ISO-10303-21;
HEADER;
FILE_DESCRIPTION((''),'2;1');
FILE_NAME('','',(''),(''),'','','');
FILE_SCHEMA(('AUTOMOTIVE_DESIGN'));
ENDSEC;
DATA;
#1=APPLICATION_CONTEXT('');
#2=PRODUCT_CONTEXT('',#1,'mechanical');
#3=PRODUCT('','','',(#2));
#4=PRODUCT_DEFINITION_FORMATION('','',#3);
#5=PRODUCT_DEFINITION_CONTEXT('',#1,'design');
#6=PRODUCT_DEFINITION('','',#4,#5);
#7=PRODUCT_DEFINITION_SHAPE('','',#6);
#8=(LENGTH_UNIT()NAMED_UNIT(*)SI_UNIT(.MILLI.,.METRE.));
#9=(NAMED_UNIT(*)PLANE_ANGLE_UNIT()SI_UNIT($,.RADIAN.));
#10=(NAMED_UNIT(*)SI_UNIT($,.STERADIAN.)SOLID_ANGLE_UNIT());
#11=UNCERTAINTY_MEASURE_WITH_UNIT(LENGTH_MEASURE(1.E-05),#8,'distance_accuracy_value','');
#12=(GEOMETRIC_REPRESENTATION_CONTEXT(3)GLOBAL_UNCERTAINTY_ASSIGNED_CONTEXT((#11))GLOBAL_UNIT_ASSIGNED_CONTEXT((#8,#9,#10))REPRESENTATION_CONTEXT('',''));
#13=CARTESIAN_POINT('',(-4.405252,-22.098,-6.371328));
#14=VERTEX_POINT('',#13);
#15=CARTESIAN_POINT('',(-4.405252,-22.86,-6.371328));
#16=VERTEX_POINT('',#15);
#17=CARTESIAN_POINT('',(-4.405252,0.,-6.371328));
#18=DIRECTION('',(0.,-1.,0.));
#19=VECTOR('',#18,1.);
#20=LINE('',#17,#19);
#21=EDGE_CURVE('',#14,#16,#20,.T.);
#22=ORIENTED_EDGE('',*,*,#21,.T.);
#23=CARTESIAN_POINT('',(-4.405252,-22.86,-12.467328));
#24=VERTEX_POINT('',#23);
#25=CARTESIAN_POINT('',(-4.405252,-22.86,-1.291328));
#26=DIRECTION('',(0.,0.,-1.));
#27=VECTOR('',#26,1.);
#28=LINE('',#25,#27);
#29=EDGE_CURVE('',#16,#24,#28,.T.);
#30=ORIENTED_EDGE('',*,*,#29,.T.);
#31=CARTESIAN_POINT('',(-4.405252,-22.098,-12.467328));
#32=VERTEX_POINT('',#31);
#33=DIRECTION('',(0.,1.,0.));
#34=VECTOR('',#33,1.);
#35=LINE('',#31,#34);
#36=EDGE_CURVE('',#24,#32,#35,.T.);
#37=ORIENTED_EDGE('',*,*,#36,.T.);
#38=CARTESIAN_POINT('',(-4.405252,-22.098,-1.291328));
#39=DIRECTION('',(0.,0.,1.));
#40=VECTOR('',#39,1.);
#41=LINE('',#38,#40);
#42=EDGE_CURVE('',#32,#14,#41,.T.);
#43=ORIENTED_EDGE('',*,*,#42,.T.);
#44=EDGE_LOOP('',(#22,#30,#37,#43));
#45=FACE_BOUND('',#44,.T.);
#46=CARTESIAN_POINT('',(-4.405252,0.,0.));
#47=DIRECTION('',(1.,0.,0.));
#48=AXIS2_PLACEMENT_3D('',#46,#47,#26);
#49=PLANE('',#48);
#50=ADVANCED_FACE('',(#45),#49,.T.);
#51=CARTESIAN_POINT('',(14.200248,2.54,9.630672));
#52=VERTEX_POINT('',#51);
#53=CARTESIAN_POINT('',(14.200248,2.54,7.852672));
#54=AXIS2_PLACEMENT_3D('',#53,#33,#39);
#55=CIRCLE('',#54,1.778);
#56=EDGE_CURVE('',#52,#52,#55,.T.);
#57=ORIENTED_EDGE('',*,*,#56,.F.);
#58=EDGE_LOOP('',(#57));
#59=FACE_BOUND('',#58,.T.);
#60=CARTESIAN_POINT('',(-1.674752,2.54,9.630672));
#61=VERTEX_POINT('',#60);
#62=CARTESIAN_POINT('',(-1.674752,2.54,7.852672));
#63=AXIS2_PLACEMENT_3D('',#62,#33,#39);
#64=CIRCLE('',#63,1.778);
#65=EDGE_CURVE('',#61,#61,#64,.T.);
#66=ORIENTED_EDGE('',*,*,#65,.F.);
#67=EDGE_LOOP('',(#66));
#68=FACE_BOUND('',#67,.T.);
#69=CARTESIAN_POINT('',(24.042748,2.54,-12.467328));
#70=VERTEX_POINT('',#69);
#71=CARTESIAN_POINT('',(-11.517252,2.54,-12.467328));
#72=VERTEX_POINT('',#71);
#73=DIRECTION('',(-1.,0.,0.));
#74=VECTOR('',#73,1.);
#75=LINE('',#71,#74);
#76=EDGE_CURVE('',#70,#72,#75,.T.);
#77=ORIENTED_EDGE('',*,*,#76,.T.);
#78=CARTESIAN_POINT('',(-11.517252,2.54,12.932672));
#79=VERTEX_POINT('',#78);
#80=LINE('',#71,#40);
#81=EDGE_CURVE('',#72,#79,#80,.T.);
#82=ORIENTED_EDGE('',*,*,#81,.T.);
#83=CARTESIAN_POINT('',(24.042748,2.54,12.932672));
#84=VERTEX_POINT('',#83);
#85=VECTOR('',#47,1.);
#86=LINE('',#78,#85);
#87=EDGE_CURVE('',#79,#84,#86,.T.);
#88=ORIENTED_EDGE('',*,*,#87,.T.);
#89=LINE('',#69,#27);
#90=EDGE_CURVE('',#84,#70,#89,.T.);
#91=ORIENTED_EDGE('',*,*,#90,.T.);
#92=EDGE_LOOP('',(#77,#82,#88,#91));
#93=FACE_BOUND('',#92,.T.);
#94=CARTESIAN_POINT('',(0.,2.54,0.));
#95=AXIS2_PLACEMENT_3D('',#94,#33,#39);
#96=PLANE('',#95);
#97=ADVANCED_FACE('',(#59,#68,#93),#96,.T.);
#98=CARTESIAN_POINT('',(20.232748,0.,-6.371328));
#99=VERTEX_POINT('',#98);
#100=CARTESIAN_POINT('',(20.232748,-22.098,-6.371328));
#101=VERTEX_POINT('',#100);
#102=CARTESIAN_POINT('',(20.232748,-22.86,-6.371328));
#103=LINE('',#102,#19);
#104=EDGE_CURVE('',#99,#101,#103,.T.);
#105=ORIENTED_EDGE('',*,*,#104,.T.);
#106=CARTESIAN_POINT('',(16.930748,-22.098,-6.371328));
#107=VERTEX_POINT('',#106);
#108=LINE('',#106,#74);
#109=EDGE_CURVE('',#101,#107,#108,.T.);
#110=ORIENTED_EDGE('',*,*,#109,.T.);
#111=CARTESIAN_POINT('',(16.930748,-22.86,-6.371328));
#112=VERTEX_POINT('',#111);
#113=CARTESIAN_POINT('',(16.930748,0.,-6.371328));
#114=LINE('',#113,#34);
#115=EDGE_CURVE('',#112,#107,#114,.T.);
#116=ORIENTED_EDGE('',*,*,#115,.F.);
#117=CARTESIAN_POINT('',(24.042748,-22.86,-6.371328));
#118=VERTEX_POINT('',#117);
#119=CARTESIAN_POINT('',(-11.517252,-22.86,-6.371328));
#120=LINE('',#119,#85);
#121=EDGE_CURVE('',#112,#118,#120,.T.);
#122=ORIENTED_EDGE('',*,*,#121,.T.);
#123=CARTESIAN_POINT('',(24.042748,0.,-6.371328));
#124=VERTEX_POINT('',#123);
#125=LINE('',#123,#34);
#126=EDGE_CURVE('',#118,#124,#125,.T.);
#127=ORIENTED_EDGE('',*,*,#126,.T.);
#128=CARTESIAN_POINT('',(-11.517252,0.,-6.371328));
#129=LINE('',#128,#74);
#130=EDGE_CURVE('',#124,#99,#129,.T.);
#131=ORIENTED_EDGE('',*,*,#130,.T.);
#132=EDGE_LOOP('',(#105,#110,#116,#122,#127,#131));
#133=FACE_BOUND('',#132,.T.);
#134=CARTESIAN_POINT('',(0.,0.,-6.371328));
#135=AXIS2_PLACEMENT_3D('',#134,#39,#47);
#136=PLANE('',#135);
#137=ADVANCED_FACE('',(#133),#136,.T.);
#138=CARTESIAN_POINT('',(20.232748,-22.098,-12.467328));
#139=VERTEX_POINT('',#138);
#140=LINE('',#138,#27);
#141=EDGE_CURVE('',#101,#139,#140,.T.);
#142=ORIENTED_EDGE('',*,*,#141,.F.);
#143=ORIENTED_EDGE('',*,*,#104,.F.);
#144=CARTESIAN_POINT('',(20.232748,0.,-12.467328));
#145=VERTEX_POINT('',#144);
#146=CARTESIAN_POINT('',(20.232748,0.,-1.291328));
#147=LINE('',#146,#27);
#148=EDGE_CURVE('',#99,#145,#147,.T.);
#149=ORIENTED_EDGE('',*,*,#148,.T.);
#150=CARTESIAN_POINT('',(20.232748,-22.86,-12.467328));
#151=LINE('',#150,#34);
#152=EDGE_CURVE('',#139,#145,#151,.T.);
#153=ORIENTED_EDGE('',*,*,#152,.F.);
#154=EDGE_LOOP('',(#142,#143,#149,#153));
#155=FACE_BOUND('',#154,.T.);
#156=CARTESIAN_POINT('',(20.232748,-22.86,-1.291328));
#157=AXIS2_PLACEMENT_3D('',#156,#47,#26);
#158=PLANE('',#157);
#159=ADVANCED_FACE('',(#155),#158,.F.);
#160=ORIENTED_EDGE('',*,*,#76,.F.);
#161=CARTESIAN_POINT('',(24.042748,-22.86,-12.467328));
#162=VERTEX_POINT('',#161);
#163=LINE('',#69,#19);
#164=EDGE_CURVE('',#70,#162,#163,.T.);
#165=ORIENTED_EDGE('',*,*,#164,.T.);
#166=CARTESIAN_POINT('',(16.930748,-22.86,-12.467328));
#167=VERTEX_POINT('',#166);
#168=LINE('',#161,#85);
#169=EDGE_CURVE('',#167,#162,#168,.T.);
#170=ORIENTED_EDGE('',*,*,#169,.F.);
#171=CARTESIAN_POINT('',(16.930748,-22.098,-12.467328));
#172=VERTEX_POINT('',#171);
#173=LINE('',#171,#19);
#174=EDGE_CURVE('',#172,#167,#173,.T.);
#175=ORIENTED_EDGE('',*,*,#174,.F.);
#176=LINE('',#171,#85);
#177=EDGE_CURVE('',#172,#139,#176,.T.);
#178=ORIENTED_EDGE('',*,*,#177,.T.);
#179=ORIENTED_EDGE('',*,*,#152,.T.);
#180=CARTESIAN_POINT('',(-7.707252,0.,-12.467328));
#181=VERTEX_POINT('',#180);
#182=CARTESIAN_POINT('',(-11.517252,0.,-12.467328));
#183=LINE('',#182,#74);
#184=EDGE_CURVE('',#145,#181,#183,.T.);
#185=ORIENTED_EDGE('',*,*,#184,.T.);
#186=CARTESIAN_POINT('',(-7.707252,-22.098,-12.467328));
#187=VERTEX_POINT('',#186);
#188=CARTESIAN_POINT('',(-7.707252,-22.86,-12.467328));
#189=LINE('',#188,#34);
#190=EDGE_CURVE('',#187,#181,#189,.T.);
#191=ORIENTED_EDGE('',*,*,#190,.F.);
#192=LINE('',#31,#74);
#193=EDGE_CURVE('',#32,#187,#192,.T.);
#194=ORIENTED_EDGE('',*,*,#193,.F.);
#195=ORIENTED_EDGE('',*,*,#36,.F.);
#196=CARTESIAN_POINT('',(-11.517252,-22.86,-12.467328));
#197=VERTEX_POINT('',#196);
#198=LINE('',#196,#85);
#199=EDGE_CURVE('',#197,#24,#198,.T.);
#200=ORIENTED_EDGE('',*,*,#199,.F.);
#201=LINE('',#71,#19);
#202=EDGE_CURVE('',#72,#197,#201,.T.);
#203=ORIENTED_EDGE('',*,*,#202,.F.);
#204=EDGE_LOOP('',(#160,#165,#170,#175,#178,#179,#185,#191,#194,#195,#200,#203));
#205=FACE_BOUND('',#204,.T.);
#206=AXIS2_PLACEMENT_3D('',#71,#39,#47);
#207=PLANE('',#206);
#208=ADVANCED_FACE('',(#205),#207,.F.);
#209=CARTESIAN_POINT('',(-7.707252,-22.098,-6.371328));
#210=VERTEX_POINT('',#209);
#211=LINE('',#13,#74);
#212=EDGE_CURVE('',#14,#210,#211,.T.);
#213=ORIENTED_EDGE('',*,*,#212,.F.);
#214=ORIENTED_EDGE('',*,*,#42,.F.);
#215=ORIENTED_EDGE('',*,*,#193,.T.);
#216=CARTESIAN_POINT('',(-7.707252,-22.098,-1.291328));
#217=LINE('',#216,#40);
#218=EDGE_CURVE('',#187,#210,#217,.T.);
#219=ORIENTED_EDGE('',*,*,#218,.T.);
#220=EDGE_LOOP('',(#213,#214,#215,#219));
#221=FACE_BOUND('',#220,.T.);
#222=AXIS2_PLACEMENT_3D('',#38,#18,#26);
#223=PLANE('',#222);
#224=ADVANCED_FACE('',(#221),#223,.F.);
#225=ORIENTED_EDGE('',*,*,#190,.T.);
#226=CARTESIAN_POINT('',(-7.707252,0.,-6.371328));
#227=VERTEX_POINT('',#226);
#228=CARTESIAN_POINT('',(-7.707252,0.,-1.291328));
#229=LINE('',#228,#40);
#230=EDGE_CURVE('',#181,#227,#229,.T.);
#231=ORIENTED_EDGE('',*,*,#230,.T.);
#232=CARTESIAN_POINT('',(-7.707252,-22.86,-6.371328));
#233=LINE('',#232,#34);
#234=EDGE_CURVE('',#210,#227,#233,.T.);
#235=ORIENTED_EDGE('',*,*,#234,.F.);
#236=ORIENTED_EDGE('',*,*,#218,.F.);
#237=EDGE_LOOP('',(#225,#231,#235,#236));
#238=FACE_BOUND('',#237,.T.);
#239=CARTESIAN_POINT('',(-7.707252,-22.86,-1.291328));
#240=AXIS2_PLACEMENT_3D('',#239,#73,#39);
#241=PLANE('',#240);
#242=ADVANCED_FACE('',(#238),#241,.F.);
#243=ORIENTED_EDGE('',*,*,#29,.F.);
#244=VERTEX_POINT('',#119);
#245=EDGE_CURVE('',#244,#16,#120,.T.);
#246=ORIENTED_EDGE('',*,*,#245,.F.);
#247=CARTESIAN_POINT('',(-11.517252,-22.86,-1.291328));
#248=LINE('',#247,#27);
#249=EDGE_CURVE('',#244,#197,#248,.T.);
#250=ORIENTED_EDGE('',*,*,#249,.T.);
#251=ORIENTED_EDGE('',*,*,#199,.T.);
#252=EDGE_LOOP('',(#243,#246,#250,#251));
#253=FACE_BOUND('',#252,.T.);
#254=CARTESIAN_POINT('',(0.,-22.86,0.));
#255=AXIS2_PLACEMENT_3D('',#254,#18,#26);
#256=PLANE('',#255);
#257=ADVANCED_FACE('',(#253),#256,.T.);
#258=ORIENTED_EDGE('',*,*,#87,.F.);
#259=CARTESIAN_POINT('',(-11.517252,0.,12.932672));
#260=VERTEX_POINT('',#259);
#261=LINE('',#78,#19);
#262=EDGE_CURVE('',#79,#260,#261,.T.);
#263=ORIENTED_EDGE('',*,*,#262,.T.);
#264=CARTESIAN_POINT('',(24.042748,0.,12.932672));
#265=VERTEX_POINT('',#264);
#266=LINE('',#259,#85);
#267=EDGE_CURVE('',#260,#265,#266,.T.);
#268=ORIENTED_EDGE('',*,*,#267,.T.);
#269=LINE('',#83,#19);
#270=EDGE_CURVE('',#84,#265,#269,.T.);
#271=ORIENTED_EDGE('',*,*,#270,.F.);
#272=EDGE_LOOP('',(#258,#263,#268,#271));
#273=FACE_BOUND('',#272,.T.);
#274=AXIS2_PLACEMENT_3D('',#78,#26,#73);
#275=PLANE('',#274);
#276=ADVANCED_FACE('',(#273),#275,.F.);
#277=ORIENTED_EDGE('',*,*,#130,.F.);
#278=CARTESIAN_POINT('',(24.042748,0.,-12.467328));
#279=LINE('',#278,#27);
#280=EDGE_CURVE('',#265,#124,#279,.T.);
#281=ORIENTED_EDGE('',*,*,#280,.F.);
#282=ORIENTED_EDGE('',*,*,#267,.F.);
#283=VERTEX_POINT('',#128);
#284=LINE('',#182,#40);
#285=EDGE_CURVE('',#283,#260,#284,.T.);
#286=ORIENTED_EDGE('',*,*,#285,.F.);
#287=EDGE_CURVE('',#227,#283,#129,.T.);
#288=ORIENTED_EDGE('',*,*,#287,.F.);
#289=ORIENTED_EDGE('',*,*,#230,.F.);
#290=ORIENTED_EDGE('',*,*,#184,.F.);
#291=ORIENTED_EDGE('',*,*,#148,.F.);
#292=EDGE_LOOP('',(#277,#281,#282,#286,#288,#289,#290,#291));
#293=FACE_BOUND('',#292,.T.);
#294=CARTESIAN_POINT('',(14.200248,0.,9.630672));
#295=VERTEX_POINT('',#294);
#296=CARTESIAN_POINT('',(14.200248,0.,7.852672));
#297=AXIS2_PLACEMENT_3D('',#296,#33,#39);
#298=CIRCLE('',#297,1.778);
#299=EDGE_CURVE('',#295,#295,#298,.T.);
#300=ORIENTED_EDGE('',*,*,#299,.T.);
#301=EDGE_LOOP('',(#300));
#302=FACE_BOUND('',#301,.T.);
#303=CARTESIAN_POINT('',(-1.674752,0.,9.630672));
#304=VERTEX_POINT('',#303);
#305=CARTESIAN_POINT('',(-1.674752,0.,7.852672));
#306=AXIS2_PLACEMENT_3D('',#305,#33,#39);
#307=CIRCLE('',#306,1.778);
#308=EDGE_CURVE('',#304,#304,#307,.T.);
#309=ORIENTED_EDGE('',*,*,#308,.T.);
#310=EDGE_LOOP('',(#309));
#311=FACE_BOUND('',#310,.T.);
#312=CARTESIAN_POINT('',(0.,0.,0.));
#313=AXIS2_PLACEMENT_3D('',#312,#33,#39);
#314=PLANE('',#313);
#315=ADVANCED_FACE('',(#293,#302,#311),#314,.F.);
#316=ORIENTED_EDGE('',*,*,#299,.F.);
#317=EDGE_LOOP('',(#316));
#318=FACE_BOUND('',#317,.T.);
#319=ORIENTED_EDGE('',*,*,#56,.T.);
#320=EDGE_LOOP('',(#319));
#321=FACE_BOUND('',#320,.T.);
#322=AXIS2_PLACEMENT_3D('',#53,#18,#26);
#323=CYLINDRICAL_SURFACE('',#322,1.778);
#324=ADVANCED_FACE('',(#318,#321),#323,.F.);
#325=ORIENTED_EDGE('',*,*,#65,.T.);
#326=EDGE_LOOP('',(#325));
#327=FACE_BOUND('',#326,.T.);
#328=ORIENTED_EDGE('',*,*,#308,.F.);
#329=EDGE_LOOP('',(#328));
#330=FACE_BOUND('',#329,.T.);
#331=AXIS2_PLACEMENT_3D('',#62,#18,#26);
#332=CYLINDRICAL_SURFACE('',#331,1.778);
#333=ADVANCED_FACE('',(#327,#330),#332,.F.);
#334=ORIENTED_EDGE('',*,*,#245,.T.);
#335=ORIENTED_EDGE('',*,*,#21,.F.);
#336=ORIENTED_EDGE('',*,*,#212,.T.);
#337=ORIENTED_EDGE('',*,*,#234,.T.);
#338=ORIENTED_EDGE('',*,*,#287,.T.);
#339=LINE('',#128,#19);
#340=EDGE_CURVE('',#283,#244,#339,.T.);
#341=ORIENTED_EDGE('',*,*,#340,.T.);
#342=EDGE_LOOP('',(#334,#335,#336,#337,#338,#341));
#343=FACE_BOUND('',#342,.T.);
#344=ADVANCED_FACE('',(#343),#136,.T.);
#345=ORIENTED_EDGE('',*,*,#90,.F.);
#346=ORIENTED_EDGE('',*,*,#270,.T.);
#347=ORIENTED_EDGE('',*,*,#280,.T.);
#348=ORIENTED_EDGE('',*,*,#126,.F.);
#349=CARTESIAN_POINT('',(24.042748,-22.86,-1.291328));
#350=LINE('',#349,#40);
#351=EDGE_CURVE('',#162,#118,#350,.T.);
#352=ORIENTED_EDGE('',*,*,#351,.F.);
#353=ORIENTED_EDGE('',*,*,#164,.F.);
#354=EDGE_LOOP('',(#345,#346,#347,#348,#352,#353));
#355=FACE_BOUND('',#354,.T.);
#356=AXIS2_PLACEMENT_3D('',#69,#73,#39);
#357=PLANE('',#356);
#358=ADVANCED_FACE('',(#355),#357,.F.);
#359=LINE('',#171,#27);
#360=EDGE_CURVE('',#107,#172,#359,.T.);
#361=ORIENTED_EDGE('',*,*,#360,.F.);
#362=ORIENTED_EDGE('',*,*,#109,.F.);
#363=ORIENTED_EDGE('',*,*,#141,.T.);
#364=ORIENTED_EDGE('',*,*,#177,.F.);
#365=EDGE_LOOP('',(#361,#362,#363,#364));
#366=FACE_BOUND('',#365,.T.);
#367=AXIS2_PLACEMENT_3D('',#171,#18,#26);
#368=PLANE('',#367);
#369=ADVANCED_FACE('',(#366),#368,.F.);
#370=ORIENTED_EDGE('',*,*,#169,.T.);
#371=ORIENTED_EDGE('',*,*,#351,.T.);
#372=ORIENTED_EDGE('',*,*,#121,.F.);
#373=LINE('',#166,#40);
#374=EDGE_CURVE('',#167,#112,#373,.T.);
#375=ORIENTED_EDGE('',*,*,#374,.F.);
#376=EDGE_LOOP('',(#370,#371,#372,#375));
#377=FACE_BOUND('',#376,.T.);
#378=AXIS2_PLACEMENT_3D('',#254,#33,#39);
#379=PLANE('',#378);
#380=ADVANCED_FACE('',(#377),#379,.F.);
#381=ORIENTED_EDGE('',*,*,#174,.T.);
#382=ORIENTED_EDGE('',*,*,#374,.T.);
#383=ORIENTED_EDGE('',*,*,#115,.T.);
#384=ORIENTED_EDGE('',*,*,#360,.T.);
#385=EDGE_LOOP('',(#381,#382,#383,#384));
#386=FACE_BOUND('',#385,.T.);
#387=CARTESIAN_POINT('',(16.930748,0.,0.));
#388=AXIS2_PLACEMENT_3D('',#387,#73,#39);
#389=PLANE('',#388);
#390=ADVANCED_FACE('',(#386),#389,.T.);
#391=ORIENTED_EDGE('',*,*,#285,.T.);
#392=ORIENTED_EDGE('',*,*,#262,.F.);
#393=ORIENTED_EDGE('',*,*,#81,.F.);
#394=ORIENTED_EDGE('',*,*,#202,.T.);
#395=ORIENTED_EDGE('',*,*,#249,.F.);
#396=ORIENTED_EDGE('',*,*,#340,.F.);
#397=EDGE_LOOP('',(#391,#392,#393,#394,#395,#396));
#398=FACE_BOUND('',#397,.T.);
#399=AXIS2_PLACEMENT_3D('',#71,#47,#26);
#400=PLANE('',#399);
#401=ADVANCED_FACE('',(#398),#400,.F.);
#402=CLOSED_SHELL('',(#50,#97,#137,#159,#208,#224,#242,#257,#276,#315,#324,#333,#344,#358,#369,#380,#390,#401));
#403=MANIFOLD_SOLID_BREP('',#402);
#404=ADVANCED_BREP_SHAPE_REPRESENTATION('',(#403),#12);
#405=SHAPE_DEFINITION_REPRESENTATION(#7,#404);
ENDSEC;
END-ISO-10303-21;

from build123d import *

# Parameters (mm, degrees)
SKETCH3_W           = 35.56
SKETCH3_H           = 25.4
SKETCH3_R           = 1.778
BOSS_EXTRUDE3_DEPTH = 2.54
SKETCH4_W           = 3.81
SKETCH4_H           = 11.176
BOSS_EXTRUDE4_DEPTH = 22.86
SKETCH5_W           = 11.176
SKETCH5_H           = 0.762
BOSS_EXTRUDE5_DEPTH = 3.302
SKETCH6_W           = 11.176
SKETCH6_H           = 0.762
BOSS_EXTRUDE6_DEPTH = 3.302
SKETCH7_W           = 35.56
SKETCH7_H           = 22.86
CUT_EXTRUDE1_DEPTH  = 5.08


with BuildPart() as part:
    # Sketch3 → Boss-Extrude3 (new body)
    with BuildSketch(Plane(origin=(0, 0, 0), x_dir=(1, 0, 0), z_dir=(0, 1, 0))):
        with Locations((6.262748092, -0.232671756)):
            Rectangle(SKETCH3_W, SKETCH3_H)
        with Locations((-1.674751908, -7.852671756)):
            Circle(SKETCH3_R, mode=Mode.SUBTRACT)
        with Locations((14.200248092, -7.852671756)):
            Circle(SKETCH3_R, mode=Mode.SUBTRACT)
    extrude(amount=BOSS_EXTRUDE3_DEPTH)

    # Sketch4 → Boss-Extrude4 (add)
    with BuildSketch(Plane.XZ):
        with Locations((-9.612251908, -6.879328244)):
            Rectangle(SKETCH4_W, SKETCH4_H)
        with Locations((22.137748092, -6.879328244)):
            Rectangle(SKETCH4_W, SKETCH4_H)
    extrude(amount=BOSS_EXTRUDE4_DEPTH)

    # Sketch5 → Boss-Extrude5 (add)
    with BuildSketch(Plane(origin=(-7.707251908, 0, 0), x_dir=(0, 0, -1), z_dir=(1, 0, 0))):
        with Locations((6.879328244, -22.479)):
            Rectangle(SKETCH5_W, SKETCH5_H)
    extrude(amount=BOSS_EXTRUDE5_DEPTH)

    # Sketch6 → Boss-Extrude6 (add)
    with BuildSketch(Plane.ZY.offset(-20.232748092)):
        with Locations((-6.879328244, -22.479)):
            Rectangle(SKETCH6_W, SKETCH6_H)
    extrude(amount=BOSS_EXTRUDE6_DEPTH)

    # Sketch7 → Cut-Extrude1 (cut)
    with BuildSketch(Plane.XY.offset(-1.291328244)):
        with Locations((6.262748092, -11.43)):
            Rectangle(SKETCH7_W, SKETCH7_H)
    extrude(amount=-CUT_EXTRUDE1_DEPTH, mode=Mode.SUBTRACT)


solid = part.part
